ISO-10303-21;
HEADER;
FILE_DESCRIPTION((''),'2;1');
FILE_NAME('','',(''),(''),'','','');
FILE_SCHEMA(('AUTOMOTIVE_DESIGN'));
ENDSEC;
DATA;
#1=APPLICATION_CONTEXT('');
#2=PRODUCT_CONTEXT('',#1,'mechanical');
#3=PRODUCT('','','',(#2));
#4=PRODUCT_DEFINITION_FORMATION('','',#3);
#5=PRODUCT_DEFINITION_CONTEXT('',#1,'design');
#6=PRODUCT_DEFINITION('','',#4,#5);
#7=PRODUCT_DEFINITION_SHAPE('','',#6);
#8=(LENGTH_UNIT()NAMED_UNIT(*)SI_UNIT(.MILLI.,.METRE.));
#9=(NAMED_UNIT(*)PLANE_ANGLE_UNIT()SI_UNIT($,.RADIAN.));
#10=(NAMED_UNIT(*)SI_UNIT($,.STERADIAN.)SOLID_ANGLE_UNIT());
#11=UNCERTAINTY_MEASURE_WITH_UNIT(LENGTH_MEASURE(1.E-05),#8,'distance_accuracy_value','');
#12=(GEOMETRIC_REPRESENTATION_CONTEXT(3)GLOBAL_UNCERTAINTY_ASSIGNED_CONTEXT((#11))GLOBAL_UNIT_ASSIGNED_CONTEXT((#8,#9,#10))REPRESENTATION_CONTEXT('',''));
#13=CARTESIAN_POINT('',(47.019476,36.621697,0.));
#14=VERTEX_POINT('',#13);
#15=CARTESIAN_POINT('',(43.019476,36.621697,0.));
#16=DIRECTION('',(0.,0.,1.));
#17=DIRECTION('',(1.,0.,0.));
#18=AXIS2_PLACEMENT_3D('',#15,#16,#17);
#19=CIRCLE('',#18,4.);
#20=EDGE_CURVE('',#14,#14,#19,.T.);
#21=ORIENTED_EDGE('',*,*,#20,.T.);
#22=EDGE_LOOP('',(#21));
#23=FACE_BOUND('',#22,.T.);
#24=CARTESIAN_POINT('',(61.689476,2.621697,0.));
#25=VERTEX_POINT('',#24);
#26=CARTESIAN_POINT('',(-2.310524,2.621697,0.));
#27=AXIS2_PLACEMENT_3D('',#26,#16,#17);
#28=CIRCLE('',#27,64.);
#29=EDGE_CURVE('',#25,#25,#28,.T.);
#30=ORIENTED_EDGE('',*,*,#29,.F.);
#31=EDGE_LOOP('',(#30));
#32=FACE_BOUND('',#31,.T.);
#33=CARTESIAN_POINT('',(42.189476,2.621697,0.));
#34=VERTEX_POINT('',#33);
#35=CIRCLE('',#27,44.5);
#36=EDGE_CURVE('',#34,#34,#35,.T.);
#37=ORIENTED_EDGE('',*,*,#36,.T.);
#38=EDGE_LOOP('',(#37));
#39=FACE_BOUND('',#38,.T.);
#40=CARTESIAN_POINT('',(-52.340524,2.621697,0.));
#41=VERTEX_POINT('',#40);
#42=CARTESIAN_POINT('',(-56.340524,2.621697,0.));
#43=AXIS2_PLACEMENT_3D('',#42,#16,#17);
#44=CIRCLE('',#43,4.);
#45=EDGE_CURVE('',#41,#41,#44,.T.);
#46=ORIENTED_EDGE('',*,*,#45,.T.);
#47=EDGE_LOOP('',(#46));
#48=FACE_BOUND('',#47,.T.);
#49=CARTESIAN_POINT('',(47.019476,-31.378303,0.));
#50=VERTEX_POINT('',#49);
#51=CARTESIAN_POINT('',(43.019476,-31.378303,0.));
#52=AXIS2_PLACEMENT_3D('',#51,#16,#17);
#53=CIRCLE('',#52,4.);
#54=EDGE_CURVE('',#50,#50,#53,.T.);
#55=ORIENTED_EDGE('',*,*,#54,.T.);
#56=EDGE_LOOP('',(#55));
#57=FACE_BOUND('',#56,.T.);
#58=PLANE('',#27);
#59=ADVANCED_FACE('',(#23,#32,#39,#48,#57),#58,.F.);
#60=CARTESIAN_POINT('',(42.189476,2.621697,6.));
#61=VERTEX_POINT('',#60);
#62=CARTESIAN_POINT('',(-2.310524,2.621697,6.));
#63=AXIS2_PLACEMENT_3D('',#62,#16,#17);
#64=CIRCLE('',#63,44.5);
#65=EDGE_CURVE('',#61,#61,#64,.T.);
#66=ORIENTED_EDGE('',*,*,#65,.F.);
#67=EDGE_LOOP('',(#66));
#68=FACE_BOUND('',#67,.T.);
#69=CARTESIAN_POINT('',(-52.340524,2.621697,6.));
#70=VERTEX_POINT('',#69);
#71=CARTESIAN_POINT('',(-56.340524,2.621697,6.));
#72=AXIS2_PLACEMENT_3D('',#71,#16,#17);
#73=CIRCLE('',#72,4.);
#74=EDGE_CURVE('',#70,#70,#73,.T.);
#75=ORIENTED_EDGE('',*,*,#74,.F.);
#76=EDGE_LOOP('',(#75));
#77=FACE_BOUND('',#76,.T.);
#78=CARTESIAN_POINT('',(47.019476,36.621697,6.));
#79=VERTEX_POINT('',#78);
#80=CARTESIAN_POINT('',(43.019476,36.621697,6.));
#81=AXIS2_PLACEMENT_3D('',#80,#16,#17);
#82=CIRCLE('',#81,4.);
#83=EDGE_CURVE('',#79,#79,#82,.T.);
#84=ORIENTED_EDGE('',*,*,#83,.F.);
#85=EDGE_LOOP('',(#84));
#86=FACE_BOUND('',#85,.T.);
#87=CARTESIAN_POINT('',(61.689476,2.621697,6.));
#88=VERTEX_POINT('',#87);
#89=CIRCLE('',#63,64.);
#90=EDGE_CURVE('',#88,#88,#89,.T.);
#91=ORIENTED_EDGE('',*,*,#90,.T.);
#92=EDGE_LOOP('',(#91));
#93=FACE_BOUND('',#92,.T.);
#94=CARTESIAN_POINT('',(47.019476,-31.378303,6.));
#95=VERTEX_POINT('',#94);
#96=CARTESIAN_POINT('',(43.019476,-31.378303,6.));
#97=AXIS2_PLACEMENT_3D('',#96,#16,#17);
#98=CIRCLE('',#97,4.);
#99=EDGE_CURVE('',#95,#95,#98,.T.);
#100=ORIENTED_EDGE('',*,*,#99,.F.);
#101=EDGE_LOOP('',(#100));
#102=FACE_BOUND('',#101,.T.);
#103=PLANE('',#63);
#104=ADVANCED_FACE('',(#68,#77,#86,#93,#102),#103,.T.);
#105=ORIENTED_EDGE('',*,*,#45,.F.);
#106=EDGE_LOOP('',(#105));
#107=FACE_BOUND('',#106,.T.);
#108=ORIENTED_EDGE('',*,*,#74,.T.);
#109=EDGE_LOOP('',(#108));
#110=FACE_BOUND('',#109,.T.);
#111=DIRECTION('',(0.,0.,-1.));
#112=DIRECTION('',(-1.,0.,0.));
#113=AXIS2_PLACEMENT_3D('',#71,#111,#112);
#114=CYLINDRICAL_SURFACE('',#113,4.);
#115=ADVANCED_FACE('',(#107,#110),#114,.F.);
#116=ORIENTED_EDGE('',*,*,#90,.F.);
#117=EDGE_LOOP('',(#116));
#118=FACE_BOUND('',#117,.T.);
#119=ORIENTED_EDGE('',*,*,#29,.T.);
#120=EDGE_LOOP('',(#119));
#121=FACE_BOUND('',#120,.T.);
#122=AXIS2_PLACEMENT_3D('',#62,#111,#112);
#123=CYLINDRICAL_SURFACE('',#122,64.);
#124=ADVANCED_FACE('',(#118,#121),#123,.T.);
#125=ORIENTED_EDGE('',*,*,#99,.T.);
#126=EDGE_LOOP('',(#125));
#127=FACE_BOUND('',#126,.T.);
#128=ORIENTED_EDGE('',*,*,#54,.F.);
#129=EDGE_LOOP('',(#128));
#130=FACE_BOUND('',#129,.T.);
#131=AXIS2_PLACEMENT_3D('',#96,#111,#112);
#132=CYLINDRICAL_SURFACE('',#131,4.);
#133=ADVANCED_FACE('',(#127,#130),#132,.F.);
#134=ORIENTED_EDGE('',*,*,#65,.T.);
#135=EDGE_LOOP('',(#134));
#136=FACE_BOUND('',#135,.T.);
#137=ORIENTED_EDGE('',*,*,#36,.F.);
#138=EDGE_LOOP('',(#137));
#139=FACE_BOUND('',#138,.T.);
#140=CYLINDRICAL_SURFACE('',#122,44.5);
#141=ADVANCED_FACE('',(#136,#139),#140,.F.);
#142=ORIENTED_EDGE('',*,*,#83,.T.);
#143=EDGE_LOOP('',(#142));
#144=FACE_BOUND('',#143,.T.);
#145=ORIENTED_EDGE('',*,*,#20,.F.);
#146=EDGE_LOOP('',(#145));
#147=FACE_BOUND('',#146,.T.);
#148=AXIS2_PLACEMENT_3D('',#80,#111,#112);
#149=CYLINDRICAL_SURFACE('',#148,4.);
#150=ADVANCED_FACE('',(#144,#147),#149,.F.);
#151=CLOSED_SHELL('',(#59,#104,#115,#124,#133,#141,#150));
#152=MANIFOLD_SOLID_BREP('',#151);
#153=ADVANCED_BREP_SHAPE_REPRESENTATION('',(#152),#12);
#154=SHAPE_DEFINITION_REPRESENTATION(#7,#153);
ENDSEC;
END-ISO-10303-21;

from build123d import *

# Parameters (mm, degrees)
SKETCH1_R           = 64
SKETCH1_R_2         = 44.5
SKETCH1_R_3         = 4
BOSS_EXTRUDE1_DEPTH = 6


with BuildPart() as part:
    # Sketch1 → Boss-Extrude1 (new body)
    with BuildSketch(Plane.XY):
        with Locations((-2.310524051, 2.621697373)):
            Circle(SKETCH1_R)
        with Locations((-2.310524051, 2.621697373)):
            Circle(SKETCH1_R_2, mode=Mode.SUBTRACT)
        with Locations((43.019475949, -31.378302627)):
            Circle(SKETCH1_R_3, mode=Mode.SUBTRACT)
        with Locations((43.019475949, 36.621697373)):
            Circle(SKETCH1_R_3, mode=Mode.SUBTRACT)
        with Locations((-56.340524051, 2.621697373)):
            Circle(SKETCH1_R_3, mode=Mode.SUBTRACT)
    extrude(amount=BOSS_EXTRUDE1_DEPTH)


solid = part.part
